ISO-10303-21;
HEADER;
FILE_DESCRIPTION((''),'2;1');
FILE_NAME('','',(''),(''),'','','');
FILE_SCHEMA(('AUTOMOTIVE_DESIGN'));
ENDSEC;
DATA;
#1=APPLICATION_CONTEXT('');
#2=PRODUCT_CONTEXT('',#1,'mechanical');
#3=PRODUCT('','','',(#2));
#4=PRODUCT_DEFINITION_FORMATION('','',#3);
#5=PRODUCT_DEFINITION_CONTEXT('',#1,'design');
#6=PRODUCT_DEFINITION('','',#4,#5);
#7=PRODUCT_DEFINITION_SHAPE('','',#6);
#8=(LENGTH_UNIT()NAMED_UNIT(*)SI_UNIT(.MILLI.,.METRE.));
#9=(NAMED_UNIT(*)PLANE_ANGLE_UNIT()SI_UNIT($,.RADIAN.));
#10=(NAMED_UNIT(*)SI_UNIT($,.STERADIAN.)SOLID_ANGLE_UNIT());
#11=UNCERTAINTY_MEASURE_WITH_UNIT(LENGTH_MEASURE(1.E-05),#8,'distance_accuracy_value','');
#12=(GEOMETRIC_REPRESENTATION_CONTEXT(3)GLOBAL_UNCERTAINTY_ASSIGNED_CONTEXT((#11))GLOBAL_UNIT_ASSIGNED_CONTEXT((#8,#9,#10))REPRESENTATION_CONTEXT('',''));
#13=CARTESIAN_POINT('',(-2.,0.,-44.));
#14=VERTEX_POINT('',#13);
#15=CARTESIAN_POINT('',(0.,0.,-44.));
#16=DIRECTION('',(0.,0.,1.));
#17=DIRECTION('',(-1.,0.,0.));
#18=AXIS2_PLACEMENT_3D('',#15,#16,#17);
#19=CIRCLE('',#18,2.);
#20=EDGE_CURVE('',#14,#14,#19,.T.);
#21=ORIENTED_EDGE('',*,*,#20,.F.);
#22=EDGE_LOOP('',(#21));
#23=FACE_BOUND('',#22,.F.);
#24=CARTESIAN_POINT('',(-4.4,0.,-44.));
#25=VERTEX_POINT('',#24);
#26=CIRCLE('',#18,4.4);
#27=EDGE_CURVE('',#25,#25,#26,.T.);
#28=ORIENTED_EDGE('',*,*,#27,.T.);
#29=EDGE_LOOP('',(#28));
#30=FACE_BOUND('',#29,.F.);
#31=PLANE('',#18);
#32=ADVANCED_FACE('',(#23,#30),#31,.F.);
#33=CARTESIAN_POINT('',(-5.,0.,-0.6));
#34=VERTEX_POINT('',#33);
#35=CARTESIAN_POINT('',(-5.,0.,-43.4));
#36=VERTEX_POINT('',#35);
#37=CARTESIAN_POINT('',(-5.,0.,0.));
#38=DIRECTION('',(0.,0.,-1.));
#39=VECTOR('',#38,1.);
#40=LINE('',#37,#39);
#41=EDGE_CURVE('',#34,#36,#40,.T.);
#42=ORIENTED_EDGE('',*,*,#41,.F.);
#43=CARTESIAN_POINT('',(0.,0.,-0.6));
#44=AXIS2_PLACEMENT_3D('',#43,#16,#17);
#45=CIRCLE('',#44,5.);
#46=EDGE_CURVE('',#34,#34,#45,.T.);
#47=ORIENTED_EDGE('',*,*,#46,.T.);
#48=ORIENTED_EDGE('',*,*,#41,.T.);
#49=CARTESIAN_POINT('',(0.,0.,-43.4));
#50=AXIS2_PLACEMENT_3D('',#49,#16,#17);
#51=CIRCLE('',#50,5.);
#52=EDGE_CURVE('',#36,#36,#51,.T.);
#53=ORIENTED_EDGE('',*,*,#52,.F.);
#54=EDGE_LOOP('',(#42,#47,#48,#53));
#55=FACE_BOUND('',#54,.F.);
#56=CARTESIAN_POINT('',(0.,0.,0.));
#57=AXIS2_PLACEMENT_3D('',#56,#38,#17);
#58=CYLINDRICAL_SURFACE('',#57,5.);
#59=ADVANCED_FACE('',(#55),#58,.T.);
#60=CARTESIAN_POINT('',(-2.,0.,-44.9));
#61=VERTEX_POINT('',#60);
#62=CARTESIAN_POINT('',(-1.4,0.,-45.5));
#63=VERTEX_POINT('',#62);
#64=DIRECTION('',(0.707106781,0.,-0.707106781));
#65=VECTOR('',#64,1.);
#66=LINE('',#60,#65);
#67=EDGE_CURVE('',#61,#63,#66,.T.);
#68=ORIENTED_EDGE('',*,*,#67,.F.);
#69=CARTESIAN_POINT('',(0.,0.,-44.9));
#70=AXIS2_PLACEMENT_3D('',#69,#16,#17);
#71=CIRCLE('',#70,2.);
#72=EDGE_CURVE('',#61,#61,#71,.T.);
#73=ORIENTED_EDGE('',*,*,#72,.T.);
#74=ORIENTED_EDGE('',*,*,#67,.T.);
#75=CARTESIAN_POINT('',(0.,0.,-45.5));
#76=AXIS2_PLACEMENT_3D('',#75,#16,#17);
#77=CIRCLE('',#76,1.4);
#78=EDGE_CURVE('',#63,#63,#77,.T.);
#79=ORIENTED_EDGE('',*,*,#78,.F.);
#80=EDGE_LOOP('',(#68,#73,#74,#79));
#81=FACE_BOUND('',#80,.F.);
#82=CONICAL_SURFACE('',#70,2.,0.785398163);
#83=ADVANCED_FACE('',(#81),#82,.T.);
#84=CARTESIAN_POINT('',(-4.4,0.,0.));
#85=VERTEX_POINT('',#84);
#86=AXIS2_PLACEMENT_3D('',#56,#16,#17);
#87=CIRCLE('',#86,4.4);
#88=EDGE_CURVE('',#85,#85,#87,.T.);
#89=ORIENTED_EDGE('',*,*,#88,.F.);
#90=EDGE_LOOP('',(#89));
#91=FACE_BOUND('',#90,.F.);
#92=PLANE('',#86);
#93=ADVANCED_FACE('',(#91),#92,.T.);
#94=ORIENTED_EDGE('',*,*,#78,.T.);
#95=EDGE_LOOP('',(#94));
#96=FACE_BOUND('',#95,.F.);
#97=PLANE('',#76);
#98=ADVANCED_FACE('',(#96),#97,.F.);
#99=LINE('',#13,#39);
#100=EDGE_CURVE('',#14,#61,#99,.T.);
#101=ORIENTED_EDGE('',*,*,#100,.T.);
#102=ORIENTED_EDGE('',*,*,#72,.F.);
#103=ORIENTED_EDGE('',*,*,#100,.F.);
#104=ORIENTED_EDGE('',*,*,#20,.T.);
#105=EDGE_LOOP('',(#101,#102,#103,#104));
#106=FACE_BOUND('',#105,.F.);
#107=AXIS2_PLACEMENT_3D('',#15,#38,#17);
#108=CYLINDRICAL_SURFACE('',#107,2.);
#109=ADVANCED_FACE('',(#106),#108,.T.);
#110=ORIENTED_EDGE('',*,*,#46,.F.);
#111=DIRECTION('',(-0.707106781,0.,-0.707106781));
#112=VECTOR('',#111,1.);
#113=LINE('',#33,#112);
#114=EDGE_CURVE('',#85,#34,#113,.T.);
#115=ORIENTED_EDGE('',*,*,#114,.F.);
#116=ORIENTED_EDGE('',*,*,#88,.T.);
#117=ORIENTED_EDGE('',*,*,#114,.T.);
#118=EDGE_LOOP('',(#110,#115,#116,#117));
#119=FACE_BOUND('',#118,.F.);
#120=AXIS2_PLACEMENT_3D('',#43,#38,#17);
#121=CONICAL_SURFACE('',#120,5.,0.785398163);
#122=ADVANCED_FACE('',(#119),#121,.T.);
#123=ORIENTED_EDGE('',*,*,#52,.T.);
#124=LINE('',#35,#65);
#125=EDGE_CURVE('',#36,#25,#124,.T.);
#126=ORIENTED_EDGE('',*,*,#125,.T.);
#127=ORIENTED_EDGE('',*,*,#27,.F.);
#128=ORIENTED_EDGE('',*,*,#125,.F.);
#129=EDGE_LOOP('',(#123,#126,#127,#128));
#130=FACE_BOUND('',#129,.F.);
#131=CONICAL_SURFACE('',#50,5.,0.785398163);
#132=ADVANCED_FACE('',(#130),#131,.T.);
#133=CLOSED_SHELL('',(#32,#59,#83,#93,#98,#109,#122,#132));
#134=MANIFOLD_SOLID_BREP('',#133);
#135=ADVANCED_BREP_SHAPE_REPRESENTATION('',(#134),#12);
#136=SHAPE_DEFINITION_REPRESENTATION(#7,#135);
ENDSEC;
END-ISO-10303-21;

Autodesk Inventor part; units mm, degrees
ref_plane "YZ Plane" through (0, 0, 0) normal (1, 0, 0) x (0, 1, 0)
ref_plane "XZ Plane" through (0, 0, 0) normal (0, 1, 0) x (-1, 0, 0)
ref_plane "XY Plane" through (0, 0, 0) normal (0, 0, 1) x (1, 0, 0)
sketch "Sketch2" plane through (0, 0, 0) normal (0, 1, 0) x (-1, 0, 0)
  line L0 (0, 0) -> (5, 0)
  line L1 (5, 0) -> (5, -44)
  line L2 (5, -44) -> (2, -44)
  line L3 (2, -44) -> (2, -45.5)
  line L4 (2, -45.5) -> (0, -45.5)
  line L5 (0, -45.5) -> (0, 0)
  line L6 (0, -54.6) -> (0, 9.1) projected
  dimension "d3" = 5
  dimension "d4" = 44
  dimension "d5" = 3
  dimension "d6" = 1.5
revolve "Revolution1" add sketch "Sketch2" angle 360 about axis through (0, 0, -10) along (0, 0, 1)
chamfer "Chamfer1" distance 0.6 angle 45 3 edges at (5, 0, 0) (5, 0, -44) (2, 0, -45.5)
properties part number "batt_10440"
